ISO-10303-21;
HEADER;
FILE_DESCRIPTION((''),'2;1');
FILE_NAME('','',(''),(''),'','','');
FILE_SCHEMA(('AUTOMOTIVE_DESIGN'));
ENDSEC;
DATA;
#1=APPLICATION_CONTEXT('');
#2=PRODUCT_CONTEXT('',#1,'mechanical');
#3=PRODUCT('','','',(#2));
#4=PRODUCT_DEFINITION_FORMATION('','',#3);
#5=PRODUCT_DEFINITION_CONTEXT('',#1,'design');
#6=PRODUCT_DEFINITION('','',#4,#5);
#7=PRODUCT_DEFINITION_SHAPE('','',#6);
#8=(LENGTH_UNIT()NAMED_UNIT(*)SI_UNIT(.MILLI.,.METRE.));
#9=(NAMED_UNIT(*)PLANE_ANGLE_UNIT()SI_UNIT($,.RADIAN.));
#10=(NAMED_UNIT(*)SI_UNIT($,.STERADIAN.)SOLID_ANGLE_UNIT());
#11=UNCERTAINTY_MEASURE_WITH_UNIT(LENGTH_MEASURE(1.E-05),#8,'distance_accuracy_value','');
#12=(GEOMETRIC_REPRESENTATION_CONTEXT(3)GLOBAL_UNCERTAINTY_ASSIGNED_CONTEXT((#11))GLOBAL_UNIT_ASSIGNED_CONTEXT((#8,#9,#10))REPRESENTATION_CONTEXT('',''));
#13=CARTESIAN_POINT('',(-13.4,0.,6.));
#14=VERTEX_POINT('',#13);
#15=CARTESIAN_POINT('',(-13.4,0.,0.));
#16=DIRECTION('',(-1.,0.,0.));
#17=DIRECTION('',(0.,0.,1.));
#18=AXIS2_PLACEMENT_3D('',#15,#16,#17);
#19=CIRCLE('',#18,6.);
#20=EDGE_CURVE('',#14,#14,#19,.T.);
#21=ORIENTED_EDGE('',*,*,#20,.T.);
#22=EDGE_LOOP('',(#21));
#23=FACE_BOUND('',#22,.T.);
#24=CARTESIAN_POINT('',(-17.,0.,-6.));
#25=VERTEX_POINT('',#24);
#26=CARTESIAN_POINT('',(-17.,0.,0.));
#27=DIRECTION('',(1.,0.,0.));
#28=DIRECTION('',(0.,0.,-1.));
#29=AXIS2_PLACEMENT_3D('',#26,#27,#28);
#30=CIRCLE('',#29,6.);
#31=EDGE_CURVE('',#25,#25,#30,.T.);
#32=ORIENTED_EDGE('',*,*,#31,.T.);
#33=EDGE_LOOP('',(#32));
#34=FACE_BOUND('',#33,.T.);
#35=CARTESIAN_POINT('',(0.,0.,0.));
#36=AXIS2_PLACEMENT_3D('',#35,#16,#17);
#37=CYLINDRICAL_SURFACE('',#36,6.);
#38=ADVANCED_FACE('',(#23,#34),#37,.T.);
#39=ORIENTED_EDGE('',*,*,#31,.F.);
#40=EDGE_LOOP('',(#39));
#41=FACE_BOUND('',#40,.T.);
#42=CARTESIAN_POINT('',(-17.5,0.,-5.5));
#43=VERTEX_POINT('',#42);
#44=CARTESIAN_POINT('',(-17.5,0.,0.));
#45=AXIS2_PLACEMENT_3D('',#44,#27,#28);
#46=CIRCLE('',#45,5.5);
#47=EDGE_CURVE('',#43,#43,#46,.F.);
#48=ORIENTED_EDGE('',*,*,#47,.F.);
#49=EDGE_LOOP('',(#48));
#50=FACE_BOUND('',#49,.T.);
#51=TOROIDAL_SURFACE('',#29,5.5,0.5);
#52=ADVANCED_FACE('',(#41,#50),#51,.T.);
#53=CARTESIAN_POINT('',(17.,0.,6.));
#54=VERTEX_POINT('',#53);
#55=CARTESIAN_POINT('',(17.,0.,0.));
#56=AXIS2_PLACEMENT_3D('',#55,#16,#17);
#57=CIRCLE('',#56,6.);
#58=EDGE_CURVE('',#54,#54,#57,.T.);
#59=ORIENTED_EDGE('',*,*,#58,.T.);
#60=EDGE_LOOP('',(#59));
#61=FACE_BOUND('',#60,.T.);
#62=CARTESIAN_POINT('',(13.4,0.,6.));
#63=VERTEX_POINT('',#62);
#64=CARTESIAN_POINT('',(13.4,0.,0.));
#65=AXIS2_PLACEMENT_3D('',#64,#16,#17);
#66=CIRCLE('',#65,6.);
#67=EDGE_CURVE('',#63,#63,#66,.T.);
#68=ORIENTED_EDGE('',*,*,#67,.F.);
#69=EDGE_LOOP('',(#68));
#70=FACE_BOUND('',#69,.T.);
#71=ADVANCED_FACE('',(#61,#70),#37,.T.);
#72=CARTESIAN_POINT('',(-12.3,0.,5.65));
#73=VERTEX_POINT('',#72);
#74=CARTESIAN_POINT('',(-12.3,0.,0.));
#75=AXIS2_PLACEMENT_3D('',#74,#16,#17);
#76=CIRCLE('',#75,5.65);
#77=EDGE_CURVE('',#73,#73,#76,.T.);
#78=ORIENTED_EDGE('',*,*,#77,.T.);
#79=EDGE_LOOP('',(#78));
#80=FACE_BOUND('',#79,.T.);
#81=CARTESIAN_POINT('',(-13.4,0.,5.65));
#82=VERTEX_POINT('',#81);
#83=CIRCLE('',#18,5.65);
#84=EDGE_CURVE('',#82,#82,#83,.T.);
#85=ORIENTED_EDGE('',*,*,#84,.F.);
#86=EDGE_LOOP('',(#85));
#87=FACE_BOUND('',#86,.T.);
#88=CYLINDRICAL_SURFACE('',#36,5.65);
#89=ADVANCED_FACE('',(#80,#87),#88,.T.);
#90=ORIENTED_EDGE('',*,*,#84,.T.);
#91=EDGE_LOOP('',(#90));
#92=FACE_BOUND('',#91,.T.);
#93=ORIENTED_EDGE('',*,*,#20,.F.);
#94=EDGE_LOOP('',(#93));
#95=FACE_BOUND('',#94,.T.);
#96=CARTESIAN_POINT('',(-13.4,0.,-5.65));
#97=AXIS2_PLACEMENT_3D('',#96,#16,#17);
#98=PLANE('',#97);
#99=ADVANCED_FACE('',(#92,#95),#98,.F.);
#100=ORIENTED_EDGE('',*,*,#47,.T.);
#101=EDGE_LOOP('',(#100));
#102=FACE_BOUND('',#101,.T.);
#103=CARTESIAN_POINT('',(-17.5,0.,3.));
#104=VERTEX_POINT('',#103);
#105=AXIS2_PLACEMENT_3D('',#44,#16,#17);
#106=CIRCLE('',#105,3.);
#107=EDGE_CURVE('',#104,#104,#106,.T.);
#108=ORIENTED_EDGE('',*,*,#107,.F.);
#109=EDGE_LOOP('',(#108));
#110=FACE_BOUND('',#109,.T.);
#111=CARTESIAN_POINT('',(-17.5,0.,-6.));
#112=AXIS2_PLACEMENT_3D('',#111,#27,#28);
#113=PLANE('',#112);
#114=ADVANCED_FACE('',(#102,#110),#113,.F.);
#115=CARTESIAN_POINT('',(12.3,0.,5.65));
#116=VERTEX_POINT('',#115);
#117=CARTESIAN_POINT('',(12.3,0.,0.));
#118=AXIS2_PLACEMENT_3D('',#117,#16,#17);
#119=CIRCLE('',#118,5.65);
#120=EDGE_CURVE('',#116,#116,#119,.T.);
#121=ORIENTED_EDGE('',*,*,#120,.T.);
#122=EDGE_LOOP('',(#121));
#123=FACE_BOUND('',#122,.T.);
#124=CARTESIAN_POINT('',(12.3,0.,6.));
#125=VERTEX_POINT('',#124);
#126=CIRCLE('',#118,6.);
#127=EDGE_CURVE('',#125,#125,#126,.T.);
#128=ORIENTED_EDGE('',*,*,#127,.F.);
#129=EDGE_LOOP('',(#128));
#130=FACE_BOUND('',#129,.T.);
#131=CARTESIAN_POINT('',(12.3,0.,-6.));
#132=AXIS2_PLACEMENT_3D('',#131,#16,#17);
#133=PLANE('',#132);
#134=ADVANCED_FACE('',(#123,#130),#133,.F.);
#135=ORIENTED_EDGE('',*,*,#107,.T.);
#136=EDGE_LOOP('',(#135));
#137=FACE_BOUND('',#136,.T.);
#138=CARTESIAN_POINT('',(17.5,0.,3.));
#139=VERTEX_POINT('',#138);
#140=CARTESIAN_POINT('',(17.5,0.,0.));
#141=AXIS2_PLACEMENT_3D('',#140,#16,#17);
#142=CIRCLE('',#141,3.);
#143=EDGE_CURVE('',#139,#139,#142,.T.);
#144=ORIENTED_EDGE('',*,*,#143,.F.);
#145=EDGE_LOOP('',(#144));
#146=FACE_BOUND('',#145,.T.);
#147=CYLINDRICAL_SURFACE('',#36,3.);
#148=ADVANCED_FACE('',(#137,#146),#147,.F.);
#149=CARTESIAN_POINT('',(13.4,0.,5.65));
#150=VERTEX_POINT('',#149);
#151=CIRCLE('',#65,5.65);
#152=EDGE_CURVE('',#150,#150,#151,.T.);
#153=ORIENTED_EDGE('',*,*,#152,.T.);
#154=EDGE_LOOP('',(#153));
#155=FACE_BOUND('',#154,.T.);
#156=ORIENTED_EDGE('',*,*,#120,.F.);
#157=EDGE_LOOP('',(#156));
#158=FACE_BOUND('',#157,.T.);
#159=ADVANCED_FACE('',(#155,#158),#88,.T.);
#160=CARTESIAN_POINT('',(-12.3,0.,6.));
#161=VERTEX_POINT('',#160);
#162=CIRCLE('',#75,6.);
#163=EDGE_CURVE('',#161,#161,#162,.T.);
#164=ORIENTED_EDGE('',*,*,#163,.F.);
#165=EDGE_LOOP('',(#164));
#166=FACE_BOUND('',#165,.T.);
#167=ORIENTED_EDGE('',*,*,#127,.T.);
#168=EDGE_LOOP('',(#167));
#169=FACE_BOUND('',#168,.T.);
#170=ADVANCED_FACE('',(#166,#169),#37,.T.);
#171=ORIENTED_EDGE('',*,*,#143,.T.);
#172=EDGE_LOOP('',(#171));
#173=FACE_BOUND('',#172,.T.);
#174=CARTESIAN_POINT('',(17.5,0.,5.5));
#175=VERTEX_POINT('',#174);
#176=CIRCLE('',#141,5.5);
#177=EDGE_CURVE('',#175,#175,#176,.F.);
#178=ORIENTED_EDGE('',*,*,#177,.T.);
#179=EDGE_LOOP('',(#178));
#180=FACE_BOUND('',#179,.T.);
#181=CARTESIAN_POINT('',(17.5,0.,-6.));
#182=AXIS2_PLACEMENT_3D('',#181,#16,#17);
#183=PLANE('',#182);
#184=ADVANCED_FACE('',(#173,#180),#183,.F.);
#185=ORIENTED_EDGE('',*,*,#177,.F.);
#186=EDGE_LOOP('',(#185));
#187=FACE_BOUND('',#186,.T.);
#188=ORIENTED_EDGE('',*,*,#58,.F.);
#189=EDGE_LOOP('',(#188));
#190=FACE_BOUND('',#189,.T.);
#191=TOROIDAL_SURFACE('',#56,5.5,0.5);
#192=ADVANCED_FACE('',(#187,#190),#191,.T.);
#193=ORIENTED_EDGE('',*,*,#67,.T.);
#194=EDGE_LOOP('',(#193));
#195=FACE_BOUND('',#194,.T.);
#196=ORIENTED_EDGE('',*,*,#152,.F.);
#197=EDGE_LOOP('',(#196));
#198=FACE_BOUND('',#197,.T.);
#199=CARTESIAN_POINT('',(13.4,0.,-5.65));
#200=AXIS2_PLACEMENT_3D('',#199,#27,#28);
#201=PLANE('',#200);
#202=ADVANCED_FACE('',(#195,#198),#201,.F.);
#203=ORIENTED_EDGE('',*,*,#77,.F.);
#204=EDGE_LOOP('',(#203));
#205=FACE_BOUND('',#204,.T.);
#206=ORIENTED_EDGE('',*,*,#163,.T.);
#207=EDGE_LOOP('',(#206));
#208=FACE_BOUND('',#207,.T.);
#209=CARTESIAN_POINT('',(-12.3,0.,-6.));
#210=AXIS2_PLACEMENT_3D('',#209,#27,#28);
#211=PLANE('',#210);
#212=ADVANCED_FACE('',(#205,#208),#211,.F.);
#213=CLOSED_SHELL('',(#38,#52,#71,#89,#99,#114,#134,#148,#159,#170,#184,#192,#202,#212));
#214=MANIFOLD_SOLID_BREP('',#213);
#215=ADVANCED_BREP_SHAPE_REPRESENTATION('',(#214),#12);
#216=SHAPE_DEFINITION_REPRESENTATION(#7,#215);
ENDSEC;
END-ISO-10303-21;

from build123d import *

# Parameters (mm, degrees)
FILLET1_R = 0.5


with BuildPart() as part:
    # Sketch2 → Revolve1 (revolve)
    with BuildSketch(Plane(origin=(0, 0, 0), x_dir=(1, 0, 0), z_dir=(0, 1, 0)), mode=Mode.PRIVATE) as revolve1_sk:
        Polygon((-12.3, 6), (12.3, 6), (12.3, 5.65), (13.4, 5.65), (13.4, 6), (17.5, 6), (17.5, 3), (-17.5, 3), (-17.5, 6), (-13.4, 6), (-13.4, 5.65), (-12.3, 5.65), align=None)
    revolve(revolve1_sk.sketch.rotate(Axis((0, 0, 0), (1, 0, 0)), 180), axis=Axis((0, 0, 0), (1, 0, 0)))

    # Fillet1
    fillet1_edges = [part.edges().sort_by_distance(p)[0] for p in [
        (-17.5, 0, -6),
        (17.5, 0, -6),
    ]]
    fillet(fillet1_edges, radius=FILLET1_R)


solid = part.part
